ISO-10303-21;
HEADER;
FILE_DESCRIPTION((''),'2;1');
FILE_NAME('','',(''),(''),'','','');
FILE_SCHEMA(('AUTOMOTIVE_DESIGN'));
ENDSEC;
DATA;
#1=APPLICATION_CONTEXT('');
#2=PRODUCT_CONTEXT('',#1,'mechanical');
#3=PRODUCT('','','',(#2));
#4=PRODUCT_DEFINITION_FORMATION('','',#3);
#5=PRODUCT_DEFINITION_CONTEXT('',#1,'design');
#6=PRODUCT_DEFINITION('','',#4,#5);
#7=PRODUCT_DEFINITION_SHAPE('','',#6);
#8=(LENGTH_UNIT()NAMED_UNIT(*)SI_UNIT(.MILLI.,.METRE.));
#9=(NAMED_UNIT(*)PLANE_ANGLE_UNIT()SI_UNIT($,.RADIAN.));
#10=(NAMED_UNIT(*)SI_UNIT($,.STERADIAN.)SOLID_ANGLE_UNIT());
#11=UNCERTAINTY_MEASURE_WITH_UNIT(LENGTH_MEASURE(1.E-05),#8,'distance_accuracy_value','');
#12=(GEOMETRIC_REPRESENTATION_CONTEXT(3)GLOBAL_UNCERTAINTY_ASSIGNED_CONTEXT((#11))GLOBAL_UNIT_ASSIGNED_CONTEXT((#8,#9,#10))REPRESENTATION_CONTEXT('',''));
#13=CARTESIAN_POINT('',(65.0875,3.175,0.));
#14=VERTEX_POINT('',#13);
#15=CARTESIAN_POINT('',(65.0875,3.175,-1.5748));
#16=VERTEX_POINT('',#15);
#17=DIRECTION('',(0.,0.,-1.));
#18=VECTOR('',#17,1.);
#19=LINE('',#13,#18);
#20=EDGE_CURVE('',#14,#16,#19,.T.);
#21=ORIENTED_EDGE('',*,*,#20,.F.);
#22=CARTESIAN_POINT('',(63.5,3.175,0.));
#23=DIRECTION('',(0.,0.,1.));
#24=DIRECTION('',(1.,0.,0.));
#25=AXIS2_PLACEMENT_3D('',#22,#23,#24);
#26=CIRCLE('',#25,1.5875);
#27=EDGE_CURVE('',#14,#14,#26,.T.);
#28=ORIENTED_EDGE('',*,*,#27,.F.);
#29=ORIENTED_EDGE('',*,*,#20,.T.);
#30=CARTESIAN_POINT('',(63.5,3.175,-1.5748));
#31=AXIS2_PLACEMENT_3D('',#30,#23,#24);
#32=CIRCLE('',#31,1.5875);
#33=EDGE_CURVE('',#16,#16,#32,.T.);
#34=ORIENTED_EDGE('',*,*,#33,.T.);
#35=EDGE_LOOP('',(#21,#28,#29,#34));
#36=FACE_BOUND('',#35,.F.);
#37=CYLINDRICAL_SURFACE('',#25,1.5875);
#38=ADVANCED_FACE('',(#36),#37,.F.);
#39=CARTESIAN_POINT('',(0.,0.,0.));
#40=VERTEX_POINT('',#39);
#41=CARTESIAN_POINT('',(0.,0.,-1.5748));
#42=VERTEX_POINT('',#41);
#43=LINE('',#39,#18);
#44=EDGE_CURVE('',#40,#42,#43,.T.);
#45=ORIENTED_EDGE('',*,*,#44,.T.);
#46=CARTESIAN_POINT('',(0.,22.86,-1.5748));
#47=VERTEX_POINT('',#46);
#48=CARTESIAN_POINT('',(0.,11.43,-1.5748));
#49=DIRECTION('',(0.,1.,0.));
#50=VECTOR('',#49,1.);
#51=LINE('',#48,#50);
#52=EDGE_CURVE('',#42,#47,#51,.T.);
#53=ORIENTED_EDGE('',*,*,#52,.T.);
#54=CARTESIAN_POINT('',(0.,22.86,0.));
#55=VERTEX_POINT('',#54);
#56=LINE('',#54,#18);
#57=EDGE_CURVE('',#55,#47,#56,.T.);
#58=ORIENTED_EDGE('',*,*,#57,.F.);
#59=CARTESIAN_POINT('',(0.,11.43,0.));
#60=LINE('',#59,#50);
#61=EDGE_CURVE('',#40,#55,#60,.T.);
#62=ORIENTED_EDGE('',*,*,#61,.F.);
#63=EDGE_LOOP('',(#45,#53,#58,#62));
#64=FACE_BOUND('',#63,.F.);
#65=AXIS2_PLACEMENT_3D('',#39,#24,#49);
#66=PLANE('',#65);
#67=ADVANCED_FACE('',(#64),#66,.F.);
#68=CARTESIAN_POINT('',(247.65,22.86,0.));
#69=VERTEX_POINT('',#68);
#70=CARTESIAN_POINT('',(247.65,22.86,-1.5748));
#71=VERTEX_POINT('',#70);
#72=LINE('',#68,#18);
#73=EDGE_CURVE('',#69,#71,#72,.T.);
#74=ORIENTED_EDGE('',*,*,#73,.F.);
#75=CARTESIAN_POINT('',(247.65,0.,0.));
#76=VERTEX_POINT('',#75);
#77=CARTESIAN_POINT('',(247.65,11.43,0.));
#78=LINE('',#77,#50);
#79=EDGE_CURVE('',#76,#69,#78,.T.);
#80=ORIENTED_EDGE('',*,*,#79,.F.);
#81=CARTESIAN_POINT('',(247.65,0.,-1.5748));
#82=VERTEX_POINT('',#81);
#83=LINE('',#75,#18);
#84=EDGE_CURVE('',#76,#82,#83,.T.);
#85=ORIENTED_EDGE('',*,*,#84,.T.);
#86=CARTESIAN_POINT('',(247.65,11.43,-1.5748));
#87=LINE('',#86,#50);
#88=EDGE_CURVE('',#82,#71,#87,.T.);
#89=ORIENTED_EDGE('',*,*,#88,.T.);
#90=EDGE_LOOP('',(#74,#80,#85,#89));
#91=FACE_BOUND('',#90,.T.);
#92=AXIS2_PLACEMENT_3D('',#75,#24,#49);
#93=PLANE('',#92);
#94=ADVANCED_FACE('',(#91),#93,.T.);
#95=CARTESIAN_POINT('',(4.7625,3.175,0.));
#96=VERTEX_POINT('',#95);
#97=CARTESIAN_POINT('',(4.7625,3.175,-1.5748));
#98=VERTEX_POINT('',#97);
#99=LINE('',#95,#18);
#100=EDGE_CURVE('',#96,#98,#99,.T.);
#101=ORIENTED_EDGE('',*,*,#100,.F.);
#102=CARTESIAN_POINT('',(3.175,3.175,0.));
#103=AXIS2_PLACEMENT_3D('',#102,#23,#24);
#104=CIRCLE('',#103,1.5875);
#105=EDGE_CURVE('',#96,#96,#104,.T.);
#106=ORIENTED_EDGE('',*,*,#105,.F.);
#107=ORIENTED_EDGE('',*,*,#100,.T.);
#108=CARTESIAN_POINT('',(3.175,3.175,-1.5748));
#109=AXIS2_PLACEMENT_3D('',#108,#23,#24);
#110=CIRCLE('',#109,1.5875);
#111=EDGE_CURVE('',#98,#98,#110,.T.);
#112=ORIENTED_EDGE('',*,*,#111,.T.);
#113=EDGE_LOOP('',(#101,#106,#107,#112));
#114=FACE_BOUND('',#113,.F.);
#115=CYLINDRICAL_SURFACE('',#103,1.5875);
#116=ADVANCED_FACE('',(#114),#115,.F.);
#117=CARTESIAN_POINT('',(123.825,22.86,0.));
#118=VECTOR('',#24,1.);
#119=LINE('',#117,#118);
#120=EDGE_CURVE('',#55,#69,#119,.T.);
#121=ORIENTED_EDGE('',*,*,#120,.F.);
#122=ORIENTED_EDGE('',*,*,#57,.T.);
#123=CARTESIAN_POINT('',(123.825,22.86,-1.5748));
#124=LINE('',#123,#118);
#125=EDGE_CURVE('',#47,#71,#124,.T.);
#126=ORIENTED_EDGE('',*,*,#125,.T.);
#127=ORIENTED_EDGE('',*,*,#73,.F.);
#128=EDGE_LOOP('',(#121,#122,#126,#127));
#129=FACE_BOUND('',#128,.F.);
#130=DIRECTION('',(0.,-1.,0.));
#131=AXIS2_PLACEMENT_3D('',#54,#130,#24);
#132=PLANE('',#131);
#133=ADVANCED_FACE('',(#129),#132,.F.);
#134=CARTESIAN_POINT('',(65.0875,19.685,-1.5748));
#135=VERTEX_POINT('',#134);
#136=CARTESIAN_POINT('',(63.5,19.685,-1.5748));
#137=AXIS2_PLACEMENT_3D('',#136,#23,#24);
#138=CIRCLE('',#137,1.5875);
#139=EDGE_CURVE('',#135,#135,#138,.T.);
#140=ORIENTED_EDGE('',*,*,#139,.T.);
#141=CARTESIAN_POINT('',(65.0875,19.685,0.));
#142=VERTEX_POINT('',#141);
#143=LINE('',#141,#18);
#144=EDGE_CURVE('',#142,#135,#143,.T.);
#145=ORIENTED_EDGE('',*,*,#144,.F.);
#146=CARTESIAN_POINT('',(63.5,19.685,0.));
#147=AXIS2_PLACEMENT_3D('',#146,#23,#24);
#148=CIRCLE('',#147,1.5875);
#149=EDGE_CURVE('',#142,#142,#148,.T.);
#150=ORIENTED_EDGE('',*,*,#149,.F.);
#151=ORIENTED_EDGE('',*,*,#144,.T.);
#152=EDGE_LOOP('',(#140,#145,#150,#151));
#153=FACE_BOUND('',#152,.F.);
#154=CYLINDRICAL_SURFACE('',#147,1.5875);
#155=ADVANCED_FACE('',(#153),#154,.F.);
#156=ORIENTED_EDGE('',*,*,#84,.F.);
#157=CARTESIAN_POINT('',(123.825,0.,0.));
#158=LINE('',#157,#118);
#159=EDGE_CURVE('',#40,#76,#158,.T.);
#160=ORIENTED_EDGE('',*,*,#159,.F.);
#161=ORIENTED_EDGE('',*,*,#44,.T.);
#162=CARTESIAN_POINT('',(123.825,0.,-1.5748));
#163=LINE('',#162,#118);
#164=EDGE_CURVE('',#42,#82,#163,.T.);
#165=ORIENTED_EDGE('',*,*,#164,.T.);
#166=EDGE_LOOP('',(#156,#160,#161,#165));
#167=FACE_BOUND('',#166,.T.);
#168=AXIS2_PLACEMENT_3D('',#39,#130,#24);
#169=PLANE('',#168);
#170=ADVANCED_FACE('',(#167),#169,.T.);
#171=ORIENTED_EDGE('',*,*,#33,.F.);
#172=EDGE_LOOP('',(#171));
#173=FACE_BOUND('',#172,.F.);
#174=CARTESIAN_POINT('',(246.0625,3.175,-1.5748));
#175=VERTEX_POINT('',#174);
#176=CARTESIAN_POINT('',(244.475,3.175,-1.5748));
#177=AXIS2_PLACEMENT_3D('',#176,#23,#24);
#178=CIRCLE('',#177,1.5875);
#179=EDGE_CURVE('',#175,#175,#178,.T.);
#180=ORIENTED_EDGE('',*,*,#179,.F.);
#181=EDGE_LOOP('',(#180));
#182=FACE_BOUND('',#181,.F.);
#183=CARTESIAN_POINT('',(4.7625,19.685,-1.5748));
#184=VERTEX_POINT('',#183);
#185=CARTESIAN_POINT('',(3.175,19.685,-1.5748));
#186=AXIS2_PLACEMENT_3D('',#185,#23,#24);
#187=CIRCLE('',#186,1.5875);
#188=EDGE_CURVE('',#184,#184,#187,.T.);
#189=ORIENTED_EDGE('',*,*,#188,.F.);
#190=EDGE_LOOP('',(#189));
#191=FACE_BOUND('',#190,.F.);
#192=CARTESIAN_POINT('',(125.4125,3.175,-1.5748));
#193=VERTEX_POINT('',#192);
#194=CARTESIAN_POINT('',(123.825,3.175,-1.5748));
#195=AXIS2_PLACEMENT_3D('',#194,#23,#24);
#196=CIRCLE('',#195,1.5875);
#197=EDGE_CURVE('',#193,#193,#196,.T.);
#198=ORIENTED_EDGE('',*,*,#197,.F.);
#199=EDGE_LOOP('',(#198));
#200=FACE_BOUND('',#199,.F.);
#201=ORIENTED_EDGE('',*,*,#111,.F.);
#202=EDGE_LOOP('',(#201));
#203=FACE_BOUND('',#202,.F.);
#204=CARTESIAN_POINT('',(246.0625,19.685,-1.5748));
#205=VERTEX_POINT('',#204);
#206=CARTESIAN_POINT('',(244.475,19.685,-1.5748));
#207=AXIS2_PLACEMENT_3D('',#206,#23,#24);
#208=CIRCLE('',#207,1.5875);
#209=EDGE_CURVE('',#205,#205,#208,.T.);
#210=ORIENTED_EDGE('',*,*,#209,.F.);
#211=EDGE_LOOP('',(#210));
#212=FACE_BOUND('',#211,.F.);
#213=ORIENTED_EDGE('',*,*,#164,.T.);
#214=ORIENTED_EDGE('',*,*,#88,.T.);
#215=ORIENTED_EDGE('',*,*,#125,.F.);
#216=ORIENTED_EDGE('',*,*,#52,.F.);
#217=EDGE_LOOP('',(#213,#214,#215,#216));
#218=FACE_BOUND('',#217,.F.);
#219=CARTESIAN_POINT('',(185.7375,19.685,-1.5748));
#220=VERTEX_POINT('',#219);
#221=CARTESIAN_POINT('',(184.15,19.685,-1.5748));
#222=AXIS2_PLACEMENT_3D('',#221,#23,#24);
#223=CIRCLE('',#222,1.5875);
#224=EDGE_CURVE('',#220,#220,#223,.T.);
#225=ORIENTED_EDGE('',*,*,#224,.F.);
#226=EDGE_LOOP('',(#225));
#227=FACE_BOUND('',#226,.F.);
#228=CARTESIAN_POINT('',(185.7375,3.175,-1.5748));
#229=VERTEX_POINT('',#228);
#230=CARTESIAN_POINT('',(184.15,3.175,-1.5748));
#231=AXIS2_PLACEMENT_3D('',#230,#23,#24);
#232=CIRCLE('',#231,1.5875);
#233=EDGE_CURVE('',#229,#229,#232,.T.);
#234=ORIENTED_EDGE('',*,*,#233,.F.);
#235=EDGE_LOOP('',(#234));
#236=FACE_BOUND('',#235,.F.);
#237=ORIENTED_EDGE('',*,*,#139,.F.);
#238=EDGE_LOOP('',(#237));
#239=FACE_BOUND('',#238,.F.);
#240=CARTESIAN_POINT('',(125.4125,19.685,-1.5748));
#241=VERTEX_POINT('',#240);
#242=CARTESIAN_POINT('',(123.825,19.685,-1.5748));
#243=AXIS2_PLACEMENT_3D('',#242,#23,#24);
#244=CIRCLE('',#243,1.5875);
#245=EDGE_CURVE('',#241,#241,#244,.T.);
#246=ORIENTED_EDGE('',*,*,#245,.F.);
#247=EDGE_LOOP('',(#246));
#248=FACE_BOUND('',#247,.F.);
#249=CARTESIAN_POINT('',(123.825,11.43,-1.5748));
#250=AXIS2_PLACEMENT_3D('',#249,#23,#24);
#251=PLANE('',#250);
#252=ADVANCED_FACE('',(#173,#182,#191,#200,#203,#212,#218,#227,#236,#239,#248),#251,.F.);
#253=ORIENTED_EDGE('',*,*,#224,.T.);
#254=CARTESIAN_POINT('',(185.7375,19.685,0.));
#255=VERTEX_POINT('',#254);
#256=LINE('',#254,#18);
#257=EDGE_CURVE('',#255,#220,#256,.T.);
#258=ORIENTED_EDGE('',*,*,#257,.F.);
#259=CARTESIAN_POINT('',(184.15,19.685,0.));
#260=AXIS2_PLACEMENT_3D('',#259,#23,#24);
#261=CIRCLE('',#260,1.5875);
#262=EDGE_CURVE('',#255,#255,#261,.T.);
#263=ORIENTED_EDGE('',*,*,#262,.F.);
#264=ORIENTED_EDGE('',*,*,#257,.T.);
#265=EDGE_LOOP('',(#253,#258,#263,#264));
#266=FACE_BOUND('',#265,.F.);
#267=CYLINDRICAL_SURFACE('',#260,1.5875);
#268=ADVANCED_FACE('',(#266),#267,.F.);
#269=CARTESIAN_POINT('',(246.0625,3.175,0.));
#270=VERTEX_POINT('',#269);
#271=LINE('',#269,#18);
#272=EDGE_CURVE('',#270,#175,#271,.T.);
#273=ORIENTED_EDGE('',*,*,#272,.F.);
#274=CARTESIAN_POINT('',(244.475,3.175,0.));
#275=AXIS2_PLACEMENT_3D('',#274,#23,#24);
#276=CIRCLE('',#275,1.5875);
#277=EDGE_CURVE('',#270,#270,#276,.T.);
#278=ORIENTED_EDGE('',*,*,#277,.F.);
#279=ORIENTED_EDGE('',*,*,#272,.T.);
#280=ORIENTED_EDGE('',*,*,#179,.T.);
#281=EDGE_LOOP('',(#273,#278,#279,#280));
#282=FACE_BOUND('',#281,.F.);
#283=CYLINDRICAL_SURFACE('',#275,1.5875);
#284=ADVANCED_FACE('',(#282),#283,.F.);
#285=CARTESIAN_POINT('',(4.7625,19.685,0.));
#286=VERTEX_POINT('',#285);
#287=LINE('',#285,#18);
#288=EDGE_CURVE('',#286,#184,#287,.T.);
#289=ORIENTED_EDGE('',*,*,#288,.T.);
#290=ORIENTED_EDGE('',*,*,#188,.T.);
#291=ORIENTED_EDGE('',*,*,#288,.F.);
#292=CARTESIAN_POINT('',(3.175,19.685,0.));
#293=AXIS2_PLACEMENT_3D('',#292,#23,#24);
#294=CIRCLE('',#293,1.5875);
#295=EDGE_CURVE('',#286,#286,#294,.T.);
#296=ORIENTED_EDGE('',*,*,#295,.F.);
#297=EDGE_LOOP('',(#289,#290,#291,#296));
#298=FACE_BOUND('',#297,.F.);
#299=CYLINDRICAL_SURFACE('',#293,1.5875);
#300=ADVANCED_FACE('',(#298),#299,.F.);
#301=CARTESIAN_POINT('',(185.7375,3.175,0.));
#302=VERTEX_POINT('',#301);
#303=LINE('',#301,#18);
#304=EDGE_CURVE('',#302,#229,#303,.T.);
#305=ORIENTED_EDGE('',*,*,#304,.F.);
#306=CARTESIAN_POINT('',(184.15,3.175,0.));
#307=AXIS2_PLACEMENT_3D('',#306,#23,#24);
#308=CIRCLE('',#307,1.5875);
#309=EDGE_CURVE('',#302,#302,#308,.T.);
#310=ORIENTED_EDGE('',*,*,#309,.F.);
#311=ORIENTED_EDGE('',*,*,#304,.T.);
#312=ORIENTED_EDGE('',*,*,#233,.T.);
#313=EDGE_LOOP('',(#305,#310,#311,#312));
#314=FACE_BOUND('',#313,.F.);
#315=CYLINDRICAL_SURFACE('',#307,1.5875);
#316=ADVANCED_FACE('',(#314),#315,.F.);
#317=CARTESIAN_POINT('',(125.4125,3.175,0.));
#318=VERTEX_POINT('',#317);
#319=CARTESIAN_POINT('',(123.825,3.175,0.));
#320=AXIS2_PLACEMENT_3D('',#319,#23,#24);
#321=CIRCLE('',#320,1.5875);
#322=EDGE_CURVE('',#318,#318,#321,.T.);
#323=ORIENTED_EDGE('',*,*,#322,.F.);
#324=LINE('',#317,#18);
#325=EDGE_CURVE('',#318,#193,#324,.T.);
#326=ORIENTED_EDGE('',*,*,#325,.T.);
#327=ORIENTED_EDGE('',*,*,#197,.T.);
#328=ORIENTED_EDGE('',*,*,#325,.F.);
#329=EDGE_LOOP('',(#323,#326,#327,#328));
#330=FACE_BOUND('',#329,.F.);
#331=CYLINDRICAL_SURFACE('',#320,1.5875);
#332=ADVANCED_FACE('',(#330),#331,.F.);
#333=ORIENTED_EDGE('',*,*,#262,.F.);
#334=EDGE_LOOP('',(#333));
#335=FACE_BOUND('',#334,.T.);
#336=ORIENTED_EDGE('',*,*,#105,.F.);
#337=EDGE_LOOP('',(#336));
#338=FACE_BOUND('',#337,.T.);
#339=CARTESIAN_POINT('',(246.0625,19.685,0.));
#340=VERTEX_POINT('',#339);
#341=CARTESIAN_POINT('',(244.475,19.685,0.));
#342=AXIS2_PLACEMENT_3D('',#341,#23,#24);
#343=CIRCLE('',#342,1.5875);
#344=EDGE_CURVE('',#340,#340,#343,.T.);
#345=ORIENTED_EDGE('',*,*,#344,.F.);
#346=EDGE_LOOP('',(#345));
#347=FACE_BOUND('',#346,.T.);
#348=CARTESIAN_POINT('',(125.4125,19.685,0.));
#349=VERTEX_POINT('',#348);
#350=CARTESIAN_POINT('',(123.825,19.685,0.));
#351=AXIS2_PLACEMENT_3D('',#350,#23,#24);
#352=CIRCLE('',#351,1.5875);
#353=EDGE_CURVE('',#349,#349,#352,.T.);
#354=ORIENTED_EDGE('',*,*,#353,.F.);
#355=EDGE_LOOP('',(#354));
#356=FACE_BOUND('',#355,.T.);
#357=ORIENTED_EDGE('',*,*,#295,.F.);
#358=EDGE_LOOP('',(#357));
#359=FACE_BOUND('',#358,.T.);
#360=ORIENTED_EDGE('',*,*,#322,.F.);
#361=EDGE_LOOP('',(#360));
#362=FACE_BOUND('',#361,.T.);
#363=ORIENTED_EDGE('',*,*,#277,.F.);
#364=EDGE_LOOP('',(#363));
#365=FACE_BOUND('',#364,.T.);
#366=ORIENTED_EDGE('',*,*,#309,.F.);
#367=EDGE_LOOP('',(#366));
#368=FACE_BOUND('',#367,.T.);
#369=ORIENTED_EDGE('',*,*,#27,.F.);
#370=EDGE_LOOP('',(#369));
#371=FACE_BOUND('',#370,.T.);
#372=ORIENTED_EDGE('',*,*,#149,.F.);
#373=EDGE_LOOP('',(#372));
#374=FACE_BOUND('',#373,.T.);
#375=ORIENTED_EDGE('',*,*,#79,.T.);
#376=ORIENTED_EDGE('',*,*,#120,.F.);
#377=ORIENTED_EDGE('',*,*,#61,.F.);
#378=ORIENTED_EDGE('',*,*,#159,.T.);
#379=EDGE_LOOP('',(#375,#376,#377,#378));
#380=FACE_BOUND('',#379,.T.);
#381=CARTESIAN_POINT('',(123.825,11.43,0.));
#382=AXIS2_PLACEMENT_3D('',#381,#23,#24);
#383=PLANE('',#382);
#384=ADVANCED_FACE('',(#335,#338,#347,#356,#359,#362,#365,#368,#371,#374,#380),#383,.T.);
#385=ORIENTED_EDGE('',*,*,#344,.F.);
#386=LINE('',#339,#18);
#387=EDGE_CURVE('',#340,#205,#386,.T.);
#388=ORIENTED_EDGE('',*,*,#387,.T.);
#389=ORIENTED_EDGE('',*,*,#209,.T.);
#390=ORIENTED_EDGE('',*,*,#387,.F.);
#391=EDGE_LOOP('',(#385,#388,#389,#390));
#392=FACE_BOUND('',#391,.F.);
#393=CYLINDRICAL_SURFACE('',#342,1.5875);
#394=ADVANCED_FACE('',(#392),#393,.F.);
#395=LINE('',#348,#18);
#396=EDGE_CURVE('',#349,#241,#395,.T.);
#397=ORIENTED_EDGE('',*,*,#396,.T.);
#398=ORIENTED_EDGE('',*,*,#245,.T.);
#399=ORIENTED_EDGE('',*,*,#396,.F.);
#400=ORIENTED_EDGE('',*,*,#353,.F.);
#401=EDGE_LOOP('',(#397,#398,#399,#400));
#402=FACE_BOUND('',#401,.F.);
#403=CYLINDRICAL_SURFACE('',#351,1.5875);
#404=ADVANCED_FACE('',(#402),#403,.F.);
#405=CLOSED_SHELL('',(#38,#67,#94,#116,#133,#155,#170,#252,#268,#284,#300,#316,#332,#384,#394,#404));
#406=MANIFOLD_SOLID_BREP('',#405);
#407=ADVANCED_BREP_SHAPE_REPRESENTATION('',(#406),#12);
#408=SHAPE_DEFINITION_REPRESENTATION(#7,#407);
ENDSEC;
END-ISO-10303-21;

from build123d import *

# Parameters (mm, degrees)
F0_W     = 247.65
F0_H     = 22.86
F1_DEPTH = 1.5748
F2_R     = 1.5875
F3_DEPTH = 1.5748


with BuildPart() as f1:
    # F0 (on Top) → F1 (new body)
    with BuildSketch(Plane.XY):
        with Locations((123.825, 11.43)):
            Rectangle(F0_W, F0_H)
    extrude(amount=-F1_DEPTH)

    # F2 (on face) → F3 (cut)
    with BuildSketch(Plane.XY):
        with Locations((3.175, 3.175)):
            Circle(F2_R)
        with Locations((3.175, 19.685)):
            Circle(F2_R)
        with Locations((244.475, 19.685)):
            Circle(F2_R)
        with Locations((244.475, 3.175)):
            Circle(F2_R)
        with Locations((123.825, 3.175)):
            Circle(F2_R)
        with Locations((123.825, 19.685)):
            Circle(F2_R)
        with Locations((63.5, 19.685)):
            Circle(F2_R)
        with Locations((63.5, 3.175)):
            Circle(F2_R)
        with Locations((184.15, 19.685)):
            Circle(F2_R)
        with Locations((184.15, 3.175)):
            Circle(F2_R)
    extrude(amount=-F3_DEPTH, mode=Mode.SUBTRACT)


solid = f1.part
